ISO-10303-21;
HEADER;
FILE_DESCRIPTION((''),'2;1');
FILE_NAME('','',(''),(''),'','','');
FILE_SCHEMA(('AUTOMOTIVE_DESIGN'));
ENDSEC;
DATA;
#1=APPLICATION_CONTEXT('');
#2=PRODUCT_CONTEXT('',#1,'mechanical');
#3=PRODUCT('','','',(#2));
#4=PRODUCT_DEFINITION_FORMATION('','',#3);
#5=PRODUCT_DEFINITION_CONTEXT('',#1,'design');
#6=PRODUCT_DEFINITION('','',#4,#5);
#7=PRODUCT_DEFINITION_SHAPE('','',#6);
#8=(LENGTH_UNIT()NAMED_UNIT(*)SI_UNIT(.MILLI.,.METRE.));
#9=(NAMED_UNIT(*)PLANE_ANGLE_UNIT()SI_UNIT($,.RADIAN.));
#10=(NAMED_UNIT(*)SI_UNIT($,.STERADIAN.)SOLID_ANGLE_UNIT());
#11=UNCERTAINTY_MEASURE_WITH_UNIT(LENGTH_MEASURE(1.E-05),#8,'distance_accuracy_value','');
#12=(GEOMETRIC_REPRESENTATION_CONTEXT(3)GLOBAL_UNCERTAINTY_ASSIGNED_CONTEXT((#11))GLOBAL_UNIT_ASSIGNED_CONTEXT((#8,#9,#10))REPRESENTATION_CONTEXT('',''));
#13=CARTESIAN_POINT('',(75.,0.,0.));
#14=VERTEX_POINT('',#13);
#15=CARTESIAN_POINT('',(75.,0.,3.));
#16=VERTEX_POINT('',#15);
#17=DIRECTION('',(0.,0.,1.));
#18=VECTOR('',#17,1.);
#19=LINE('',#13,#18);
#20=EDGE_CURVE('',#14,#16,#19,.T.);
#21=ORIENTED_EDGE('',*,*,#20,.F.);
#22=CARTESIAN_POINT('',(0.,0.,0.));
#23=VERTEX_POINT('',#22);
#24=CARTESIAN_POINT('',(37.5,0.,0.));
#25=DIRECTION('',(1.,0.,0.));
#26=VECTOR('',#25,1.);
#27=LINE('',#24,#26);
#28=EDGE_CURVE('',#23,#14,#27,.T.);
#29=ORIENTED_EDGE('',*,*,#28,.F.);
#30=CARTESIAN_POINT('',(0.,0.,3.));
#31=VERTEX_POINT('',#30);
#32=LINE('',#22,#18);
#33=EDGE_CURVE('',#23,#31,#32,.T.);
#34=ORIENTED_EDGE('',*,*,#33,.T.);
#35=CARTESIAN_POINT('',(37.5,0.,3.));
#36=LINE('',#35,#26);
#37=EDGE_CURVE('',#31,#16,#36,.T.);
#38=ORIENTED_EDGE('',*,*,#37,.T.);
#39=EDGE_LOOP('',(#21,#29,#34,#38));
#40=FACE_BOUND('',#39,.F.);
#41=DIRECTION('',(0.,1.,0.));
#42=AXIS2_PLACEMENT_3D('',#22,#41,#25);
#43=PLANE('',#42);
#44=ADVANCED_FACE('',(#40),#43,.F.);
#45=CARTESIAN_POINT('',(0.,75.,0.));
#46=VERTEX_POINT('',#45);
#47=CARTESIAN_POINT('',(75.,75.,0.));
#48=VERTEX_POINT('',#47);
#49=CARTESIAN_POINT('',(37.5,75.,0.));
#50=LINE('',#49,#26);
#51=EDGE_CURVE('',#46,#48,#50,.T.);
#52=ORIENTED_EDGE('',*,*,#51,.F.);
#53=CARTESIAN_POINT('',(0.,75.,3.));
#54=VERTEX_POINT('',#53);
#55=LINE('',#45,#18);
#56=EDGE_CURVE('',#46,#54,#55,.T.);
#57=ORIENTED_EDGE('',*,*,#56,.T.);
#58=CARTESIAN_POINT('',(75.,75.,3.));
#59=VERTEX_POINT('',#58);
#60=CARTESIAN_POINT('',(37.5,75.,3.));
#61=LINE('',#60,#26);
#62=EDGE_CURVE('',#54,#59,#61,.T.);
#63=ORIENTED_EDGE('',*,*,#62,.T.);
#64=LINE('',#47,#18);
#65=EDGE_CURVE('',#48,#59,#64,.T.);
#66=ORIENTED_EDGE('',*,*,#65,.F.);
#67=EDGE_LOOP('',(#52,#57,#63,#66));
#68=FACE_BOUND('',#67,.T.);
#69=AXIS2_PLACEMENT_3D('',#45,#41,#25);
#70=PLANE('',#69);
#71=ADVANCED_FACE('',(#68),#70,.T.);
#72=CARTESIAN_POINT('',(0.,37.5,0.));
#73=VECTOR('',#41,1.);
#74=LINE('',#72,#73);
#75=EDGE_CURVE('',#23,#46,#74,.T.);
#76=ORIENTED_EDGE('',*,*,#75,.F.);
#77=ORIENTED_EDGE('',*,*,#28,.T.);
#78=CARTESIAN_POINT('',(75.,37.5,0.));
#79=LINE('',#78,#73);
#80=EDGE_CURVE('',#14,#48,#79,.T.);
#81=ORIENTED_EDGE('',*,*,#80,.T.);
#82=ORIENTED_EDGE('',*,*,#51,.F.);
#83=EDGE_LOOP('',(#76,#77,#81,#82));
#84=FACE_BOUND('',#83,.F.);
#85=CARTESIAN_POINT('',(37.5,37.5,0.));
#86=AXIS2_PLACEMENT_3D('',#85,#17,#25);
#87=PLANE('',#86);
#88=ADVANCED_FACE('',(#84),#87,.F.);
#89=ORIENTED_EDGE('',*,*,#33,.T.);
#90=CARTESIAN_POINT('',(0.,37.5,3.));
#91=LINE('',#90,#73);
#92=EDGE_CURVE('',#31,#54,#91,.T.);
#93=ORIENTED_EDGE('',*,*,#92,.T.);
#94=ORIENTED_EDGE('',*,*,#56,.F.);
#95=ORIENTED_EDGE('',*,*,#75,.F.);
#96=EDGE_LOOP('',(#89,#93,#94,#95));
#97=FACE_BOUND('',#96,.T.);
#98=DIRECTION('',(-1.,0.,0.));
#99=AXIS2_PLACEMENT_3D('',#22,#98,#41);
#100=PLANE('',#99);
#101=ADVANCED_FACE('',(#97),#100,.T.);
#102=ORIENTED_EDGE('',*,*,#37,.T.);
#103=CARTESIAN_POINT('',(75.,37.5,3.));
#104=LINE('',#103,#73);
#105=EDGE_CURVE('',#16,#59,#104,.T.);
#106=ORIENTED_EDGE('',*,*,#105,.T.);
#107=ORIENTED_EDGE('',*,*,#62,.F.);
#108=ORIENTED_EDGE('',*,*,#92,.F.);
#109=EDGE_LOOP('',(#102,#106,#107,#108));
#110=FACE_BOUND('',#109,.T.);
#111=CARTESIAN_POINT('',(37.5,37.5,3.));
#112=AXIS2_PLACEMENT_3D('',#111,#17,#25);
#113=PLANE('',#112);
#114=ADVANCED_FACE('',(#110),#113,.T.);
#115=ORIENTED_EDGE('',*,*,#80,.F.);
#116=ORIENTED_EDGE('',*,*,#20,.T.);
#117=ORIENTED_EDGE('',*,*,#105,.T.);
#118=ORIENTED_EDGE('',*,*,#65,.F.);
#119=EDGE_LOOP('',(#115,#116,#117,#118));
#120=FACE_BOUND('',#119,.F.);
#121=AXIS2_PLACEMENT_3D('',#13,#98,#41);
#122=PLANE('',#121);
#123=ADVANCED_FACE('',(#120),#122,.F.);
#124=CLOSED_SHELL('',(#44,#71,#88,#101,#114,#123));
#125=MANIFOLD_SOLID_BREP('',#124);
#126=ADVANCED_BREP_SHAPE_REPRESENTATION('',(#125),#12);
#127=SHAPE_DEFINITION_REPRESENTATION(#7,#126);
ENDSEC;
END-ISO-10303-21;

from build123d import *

# Parameters (mm, degrees)
BOX_W     = 75
BOX_H     = 75
BOX_DEPTH = 3


with BuildPart() as part:
    # Box → Box (join)
    with BuildSketch(Plane.XY):
        with Locations((37.5, 37.5)):
            Rectangle(BOX_W, BOX_H)
    extrude(amount=BOX_DEPTH)


solid = part.part
